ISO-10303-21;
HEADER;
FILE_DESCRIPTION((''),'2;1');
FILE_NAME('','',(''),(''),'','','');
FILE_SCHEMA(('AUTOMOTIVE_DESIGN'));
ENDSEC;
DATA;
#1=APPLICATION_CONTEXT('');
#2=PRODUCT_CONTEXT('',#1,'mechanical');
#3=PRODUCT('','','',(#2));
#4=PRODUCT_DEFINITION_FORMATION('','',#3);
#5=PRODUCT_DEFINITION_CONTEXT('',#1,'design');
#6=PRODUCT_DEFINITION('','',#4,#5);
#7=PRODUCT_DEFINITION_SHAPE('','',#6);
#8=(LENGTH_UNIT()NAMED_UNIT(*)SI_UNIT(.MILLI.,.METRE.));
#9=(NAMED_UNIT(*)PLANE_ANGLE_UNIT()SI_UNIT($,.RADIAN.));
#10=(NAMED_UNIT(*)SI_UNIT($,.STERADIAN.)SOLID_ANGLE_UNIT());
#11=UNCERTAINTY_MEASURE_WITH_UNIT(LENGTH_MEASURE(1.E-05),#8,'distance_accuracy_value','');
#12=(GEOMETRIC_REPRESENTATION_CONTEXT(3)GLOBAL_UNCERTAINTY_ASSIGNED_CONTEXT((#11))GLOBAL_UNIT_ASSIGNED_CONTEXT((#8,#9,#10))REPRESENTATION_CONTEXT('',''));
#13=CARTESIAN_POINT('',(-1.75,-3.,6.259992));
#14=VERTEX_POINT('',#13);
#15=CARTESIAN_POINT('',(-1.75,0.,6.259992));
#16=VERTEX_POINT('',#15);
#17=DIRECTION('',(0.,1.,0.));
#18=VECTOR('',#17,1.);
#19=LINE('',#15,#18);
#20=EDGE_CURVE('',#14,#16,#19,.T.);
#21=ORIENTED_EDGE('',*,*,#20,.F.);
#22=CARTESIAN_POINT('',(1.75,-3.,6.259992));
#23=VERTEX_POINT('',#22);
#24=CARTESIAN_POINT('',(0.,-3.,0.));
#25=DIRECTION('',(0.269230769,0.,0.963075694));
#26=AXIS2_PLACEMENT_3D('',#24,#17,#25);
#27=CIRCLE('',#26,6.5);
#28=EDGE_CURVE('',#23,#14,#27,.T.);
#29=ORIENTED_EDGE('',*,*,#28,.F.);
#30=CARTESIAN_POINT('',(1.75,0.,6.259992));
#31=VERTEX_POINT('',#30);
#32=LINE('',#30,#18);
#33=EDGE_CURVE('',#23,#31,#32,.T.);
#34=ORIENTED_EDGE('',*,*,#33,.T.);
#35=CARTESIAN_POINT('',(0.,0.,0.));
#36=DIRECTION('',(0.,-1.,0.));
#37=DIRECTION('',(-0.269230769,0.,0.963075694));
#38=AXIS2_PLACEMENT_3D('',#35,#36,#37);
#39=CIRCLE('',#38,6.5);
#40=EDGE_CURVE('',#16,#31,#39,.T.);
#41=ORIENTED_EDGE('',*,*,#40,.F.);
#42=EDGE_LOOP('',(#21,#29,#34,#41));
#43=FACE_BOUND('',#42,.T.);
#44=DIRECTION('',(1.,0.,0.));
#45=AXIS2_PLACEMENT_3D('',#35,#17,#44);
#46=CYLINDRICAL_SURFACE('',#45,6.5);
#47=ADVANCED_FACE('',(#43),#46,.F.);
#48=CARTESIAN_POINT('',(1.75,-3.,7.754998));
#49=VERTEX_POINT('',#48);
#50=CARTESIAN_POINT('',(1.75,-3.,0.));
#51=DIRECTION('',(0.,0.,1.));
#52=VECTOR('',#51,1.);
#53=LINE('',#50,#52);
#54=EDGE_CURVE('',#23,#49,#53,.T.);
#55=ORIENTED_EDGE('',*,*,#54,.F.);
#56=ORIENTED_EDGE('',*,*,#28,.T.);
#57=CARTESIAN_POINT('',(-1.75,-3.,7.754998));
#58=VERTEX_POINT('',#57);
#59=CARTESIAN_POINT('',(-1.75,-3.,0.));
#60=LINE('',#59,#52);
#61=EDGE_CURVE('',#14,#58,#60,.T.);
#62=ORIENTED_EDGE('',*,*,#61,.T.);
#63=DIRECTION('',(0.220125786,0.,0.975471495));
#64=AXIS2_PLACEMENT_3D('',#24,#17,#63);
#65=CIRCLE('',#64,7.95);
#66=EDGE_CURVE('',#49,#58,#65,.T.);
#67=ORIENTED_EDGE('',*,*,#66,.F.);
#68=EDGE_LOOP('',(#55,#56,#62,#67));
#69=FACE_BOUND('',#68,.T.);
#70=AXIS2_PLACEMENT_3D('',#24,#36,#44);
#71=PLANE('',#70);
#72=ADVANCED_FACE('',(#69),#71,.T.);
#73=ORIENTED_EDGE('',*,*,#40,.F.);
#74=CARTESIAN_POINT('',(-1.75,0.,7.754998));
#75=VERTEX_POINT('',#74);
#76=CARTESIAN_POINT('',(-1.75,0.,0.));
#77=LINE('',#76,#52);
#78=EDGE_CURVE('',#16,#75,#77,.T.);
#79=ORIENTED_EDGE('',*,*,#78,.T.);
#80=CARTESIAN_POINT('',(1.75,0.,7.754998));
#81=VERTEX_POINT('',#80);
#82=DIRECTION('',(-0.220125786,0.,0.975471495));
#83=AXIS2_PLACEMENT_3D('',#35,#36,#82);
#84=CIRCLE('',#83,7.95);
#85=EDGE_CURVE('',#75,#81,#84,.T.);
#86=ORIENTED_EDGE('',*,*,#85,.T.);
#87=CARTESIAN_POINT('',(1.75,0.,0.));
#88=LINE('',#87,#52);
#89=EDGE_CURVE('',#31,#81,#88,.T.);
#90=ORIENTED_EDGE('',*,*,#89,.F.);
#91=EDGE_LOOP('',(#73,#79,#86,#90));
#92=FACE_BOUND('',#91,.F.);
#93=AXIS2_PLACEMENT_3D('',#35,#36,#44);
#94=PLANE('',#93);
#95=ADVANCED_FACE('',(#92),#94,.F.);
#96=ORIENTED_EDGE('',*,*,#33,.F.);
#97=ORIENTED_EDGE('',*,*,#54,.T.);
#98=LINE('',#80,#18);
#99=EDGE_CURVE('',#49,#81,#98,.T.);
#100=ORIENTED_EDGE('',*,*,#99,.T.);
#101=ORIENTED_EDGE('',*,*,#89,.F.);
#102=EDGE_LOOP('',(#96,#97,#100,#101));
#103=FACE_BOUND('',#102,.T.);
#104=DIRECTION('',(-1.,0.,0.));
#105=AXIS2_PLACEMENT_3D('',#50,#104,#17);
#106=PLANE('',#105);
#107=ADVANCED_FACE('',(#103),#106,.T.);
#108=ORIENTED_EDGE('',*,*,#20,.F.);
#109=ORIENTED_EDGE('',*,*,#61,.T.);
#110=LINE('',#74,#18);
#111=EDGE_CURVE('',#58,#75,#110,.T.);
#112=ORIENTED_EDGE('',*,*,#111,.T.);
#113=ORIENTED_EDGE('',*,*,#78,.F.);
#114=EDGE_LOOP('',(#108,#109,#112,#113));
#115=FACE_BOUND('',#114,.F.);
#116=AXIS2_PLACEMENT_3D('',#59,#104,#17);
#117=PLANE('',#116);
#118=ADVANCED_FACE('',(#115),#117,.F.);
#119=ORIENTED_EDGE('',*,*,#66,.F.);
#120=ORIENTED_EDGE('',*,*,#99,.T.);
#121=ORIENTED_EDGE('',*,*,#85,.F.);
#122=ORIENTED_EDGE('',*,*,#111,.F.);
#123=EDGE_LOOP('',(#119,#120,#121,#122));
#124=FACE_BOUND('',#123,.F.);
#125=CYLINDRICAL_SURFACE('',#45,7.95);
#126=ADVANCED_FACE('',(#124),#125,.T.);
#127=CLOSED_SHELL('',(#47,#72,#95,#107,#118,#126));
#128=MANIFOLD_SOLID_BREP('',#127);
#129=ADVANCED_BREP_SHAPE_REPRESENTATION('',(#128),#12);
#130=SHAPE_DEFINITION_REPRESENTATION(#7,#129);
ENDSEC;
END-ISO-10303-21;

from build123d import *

# Parameters (mm, degrees)
F1_R     = 7.95
F1_R_2   = 6.5
F2_DEPTH = 3
F3_W     = 3.5
F3_H     = 3
F4_DEPTH = 7.951


with BuildPart() as f2:
    # F1 (on Front) → F2 (new body)
    with BuildSketch(Plane.XZ):
        Circle(F1_R)
        Circle(F1_R_2, mode=Mode.SUBTRACT)
    extrude(amount=F2_DEPTH)

    # F3 (on Top) → F4 (cut, through all)
    with BuildSketch(Plane.XY):
        with Locations((0, -1.5)):
            Rectangle(F3_W, F3_H)
    extrude(amount=F4_DEPTH, mode=Mode.SUBTRACT)


solid = f2.part
